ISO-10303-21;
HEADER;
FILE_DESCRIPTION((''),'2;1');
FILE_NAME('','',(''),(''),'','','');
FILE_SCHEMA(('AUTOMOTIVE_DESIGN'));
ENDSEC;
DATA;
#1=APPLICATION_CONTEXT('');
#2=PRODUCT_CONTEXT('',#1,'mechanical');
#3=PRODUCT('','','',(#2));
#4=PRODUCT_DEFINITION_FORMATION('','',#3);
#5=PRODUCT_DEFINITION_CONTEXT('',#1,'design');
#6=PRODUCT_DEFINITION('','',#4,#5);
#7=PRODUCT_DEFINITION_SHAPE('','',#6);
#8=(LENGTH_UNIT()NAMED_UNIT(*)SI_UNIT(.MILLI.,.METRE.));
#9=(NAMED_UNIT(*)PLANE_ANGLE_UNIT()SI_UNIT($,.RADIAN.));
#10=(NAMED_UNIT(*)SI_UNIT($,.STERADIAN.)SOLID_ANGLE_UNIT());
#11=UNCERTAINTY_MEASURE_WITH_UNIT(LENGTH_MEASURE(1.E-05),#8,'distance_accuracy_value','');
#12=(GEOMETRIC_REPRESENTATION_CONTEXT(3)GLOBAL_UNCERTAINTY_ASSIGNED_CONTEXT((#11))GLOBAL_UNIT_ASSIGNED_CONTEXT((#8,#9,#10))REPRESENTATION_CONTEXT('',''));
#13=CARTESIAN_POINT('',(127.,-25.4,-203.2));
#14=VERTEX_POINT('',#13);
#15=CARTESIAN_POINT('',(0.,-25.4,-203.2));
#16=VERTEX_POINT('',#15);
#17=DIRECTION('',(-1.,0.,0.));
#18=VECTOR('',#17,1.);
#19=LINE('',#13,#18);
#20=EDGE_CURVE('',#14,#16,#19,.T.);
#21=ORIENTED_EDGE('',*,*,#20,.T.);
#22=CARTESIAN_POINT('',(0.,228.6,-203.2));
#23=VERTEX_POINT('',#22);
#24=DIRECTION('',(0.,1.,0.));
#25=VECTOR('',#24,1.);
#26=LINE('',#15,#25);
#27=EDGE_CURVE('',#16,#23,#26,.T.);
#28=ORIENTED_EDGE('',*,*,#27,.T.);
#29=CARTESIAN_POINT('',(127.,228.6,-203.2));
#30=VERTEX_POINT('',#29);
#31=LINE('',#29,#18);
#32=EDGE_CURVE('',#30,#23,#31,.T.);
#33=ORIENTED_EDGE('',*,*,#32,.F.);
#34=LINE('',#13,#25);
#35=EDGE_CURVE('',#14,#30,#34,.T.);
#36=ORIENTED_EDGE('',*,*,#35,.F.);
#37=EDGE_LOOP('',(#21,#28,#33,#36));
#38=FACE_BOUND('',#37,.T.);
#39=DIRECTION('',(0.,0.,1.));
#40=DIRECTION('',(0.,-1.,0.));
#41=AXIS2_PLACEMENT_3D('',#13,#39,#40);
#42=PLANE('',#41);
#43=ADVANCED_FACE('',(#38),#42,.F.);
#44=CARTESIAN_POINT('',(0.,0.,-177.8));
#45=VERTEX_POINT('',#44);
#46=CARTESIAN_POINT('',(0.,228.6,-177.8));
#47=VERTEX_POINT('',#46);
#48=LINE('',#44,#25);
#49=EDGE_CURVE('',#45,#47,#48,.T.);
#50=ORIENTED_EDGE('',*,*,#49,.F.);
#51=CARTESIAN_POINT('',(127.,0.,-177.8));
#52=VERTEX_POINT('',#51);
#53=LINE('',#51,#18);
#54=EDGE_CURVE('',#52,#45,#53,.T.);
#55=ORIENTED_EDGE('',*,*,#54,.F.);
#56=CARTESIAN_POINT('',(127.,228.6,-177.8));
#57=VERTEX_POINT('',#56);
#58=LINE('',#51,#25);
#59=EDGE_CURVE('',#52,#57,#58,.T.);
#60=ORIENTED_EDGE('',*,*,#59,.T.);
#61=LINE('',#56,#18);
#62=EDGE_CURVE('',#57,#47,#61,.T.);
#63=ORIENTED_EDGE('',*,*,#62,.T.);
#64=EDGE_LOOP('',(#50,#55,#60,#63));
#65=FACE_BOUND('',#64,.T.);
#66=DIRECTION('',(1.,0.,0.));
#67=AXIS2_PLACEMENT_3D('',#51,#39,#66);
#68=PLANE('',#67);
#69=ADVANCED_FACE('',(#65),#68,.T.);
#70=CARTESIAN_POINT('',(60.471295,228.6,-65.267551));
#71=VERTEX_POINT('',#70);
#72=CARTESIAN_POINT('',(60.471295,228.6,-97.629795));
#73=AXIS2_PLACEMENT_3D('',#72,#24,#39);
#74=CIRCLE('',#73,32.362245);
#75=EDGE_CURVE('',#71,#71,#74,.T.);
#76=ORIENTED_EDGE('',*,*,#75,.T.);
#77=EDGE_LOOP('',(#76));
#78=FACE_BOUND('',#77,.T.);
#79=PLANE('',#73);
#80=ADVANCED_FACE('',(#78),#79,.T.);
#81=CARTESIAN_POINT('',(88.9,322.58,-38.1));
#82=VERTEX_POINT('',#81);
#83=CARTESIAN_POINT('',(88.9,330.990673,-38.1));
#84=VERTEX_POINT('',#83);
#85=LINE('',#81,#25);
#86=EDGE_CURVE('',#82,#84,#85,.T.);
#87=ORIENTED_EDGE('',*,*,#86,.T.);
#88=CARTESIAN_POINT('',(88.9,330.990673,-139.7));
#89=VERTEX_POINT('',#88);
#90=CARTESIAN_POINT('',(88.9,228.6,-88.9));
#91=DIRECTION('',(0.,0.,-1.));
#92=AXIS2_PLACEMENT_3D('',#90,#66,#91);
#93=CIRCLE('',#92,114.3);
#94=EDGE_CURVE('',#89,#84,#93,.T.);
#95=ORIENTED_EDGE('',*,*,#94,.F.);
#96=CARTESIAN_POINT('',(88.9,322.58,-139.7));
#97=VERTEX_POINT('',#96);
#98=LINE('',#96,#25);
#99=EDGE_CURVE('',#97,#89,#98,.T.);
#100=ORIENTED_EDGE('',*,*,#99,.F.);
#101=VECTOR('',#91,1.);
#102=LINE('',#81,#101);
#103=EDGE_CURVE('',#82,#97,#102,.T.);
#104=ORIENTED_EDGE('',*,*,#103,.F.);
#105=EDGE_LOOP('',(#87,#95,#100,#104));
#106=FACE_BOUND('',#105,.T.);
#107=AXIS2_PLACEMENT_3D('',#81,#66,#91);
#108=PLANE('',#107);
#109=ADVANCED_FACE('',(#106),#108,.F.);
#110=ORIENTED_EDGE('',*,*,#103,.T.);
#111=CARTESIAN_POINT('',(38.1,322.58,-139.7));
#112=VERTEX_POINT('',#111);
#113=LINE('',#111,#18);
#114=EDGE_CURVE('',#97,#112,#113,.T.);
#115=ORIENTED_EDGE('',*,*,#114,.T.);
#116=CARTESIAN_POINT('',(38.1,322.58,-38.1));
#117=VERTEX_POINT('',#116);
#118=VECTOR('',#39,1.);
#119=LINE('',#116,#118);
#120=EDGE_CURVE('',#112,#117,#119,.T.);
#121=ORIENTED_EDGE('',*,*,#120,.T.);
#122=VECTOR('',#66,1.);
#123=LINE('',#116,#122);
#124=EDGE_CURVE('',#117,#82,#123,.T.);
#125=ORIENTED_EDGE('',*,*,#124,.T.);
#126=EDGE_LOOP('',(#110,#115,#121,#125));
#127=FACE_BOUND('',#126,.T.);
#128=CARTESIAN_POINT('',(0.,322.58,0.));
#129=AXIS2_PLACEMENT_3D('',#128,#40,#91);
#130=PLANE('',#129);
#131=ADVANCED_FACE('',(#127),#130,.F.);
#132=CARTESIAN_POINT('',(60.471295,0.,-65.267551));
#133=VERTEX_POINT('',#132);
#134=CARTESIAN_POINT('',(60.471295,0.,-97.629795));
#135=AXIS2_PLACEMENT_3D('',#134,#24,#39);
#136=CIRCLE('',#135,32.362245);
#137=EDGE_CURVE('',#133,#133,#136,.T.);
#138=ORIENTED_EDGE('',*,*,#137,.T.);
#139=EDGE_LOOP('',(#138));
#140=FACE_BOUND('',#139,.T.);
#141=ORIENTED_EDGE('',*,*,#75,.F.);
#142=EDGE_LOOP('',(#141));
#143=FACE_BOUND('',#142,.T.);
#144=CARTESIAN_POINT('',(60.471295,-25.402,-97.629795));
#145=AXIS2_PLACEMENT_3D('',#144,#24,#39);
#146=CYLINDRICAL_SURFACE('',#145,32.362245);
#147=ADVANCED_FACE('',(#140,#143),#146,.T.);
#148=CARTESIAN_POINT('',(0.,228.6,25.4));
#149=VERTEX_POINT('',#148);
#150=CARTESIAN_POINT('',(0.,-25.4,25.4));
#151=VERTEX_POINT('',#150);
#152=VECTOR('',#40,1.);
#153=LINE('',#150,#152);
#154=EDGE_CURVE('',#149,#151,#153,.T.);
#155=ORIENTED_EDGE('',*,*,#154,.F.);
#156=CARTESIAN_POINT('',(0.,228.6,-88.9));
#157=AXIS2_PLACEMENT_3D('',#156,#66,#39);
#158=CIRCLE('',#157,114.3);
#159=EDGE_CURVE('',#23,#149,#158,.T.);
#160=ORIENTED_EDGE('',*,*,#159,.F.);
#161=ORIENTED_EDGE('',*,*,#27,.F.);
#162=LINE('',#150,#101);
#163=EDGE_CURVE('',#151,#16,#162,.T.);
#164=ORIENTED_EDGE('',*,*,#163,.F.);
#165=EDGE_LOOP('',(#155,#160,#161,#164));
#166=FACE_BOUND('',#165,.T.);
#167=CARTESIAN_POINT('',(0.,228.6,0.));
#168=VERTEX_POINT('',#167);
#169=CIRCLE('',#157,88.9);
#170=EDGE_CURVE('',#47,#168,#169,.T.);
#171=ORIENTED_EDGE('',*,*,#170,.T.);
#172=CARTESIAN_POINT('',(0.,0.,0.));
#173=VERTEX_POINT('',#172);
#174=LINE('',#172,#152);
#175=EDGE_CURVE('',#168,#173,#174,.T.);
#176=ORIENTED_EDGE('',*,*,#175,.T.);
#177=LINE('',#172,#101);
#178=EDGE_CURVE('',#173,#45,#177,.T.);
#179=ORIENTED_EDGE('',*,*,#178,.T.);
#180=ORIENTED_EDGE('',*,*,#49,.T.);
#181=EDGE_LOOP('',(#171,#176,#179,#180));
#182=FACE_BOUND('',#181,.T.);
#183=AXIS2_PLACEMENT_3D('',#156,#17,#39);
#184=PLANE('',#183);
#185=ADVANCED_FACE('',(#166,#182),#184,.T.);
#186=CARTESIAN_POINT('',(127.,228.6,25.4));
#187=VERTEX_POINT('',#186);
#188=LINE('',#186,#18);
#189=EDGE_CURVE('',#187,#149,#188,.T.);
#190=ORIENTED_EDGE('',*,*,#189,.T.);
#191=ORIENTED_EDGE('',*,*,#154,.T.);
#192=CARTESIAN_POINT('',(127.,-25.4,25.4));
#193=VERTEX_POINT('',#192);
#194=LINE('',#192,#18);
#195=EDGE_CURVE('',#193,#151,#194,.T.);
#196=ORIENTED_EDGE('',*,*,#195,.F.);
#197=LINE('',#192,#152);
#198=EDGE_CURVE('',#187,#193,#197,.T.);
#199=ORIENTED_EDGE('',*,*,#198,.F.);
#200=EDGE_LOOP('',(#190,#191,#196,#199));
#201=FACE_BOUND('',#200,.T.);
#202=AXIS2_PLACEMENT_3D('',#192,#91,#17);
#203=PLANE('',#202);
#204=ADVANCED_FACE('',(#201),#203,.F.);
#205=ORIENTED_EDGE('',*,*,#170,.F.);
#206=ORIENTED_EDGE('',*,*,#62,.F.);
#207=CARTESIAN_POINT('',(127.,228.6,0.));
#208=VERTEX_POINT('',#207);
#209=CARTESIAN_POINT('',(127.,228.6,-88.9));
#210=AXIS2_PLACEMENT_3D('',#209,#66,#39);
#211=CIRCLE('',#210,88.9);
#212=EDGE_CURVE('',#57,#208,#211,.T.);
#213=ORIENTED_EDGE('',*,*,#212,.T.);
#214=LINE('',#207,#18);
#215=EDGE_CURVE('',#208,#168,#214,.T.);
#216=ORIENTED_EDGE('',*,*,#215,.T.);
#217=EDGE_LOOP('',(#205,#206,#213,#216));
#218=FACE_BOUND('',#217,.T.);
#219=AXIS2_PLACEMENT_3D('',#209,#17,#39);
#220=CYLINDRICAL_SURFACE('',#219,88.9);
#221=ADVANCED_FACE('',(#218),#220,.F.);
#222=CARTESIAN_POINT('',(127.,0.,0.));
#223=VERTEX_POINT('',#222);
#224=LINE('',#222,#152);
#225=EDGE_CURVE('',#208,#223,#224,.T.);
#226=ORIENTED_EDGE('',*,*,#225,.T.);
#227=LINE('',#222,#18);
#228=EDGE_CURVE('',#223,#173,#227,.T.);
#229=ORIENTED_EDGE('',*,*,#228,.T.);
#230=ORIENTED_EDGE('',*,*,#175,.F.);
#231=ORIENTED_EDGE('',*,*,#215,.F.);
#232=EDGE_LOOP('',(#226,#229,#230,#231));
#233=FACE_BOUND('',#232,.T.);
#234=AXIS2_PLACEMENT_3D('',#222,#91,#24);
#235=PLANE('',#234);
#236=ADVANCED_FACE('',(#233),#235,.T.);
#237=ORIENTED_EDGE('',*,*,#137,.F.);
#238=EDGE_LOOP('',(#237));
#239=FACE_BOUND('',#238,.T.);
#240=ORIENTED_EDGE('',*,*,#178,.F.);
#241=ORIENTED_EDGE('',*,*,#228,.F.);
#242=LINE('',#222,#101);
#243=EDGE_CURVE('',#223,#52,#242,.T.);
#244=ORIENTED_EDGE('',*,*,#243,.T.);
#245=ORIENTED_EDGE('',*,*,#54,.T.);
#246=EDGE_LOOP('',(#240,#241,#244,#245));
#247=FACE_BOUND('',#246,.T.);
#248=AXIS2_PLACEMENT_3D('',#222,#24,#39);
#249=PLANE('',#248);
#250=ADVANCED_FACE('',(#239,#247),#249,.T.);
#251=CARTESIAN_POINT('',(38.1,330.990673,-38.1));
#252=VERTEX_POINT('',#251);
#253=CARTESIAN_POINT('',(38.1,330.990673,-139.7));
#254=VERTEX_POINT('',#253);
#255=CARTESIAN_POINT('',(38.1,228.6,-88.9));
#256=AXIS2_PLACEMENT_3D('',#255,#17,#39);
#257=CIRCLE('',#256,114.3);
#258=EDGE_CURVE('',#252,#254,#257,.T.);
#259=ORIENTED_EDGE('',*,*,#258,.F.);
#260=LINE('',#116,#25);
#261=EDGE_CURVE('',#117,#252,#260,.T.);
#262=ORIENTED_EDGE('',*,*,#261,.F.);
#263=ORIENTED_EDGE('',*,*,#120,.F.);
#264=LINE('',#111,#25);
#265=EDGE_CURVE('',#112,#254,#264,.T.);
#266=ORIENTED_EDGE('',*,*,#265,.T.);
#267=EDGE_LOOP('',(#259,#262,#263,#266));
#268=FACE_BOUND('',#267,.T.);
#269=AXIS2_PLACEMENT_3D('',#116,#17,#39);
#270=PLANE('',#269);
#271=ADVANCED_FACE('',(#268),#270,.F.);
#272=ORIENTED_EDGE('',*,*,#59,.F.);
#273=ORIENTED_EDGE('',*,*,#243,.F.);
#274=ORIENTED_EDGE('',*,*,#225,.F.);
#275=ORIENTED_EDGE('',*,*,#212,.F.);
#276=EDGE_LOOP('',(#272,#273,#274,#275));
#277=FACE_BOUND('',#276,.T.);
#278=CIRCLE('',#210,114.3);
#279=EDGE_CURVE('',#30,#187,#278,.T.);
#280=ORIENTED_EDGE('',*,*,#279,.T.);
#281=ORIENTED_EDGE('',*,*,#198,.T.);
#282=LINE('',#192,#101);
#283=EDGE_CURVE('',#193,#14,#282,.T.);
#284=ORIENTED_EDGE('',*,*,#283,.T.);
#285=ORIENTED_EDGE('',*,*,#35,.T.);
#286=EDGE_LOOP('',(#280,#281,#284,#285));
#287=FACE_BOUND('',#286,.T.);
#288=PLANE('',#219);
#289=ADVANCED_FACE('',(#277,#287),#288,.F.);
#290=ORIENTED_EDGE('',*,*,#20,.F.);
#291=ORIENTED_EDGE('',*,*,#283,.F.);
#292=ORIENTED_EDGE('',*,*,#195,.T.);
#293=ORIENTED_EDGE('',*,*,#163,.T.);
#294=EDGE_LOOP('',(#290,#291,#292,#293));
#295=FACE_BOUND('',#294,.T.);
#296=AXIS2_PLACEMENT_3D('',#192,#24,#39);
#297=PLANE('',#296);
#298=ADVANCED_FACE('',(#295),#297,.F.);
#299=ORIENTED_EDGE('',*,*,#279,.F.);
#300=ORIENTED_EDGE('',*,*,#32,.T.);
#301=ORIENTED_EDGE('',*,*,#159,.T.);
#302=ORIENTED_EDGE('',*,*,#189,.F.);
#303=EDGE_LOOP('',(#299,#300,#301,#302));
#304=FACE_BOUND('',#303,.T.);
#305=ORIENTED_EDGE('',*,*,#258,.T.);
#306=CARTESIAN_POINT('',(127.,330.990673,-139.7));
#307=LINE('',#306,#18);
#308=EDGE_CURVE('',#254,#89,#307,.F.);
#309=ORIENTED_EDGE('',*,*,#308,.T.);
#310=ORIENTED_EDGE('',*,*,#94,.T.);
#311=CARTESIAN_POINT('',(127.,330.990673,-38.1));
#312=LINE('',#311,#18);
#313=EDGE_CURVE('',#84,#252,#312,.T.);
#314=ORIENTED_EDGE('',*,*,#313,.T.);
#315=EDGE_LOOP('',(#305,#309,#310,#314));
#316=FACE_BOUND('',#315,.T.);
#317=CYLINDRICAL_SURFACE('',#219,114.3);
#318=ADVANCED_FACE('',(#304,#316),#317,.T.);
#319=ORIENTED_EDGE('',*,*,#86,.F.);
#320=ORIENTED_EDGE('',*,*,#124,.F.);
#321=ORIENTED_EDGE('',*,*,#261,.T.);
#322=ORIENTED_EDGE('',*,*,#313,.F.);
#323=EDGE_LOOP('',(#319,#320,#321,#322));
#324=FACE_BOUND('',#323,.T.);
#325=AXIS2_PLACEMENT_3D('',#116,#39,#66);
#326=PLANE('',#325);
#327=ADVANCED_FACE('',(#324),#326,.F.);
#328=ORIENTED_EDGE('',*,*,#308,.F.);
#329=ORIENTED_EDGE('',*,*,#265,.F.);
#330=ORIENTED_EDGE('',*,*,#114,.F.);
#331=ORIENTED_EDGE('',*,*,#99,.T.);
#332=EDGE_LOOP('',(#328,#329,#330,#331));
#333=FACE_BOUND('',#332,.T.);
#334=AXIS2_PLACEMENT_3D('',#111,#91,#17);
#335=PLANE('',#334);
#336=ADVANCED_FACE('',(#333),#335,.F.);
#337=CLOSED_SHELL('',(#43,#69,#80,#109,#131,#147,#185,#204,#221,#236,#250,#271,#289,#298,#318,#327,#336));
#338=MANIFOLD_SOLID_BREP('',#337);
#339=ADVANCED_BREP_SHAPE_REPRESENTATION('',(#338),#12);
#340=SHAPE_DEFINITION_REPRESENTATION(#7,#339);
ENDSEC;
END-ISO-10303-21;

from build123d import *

# Parameters (mm, degrees)
BOSS_EXTRUDE1_DEPTH = 127
SKETCH2_W           = 50.8
SKETCH2_H           = 101.6
CUT_EXTRUDE1_DEPTH  = 20.32
BOSS_EXTRUDE2_REACH = 351.192
SKETCH3_R           = 32.362244647


with BuildPart() as part:
    # Sketch1 → Boss-Extrude1 (new body)
    with BuildSketch(Plane(origin=(0, 0, 0), x_dir=(0, 0, -1), z_dir=(1, 0, 0))):
        with BuildLine():
            Line((-25.4, -25.4), (-25.4, 228.6))
            ThreePointArc((-25.4, 228.6), (88.9, 342.9), (203.2, 228.6))
            Line((203.2, 228.6), (203.2, -25.4))
            Line((203.2, -25.4), (-25.4, -25.4))
        make_face()
        with BuildLine():
            Line((0, 0), (177.8, 0))
            Line((177.8, 0), (177.8, 228.6))
            ThreePointArc((177.8, 228.6), (88.9, 317.5), (0, 228.6))
            Line((0, 228.6), (0, 0))
        make_face(mode=Mode.SUBTRACT)
    extrude(amount=BOSS_EXTRUDE1_DEPTH)

    # Sketch2 → Cut-Extrude1 (cut)
    with BuildSketch(Plane(origin=(0, 342.9, 0), x_dir=(1, 0, 0), z_dir=(0, 1, 0))):
        with Locations((63.5, 88.9)):
            Rectangle(SKETCH2_W, SKETCH2_H)
    extrude(amount=-CUT_EXTRUDE1_DEPTH, mode=Mode.SUBTRACT)

    # Sketch3 → Boss-Extrude2 (add, up to next)
    with BuildSketch(Plane(origin=(0, 228.6, 0), x_dir=(1, 0, 0), z_dir=(0, 1, 0)), mode=Mode.PRIVATE) as boss_extrude2_sk1:
        with Locations(Location((60.471295446, 97.62979548, 0), (0, 0, 270))):
            Circle(SKETCH3_R)
    boss_extrude2_tool1 = extrude(boss_extrude2_sk1.sketch, amount=-BOSS_EXTRUDE2_REACH, mode=Mode.PRIVATE) - part.part
    add(boss_extrude2_tool1.solids().sort_by_distance((60.471295, 228.6, -97.629795))[0])


solid = part.part
